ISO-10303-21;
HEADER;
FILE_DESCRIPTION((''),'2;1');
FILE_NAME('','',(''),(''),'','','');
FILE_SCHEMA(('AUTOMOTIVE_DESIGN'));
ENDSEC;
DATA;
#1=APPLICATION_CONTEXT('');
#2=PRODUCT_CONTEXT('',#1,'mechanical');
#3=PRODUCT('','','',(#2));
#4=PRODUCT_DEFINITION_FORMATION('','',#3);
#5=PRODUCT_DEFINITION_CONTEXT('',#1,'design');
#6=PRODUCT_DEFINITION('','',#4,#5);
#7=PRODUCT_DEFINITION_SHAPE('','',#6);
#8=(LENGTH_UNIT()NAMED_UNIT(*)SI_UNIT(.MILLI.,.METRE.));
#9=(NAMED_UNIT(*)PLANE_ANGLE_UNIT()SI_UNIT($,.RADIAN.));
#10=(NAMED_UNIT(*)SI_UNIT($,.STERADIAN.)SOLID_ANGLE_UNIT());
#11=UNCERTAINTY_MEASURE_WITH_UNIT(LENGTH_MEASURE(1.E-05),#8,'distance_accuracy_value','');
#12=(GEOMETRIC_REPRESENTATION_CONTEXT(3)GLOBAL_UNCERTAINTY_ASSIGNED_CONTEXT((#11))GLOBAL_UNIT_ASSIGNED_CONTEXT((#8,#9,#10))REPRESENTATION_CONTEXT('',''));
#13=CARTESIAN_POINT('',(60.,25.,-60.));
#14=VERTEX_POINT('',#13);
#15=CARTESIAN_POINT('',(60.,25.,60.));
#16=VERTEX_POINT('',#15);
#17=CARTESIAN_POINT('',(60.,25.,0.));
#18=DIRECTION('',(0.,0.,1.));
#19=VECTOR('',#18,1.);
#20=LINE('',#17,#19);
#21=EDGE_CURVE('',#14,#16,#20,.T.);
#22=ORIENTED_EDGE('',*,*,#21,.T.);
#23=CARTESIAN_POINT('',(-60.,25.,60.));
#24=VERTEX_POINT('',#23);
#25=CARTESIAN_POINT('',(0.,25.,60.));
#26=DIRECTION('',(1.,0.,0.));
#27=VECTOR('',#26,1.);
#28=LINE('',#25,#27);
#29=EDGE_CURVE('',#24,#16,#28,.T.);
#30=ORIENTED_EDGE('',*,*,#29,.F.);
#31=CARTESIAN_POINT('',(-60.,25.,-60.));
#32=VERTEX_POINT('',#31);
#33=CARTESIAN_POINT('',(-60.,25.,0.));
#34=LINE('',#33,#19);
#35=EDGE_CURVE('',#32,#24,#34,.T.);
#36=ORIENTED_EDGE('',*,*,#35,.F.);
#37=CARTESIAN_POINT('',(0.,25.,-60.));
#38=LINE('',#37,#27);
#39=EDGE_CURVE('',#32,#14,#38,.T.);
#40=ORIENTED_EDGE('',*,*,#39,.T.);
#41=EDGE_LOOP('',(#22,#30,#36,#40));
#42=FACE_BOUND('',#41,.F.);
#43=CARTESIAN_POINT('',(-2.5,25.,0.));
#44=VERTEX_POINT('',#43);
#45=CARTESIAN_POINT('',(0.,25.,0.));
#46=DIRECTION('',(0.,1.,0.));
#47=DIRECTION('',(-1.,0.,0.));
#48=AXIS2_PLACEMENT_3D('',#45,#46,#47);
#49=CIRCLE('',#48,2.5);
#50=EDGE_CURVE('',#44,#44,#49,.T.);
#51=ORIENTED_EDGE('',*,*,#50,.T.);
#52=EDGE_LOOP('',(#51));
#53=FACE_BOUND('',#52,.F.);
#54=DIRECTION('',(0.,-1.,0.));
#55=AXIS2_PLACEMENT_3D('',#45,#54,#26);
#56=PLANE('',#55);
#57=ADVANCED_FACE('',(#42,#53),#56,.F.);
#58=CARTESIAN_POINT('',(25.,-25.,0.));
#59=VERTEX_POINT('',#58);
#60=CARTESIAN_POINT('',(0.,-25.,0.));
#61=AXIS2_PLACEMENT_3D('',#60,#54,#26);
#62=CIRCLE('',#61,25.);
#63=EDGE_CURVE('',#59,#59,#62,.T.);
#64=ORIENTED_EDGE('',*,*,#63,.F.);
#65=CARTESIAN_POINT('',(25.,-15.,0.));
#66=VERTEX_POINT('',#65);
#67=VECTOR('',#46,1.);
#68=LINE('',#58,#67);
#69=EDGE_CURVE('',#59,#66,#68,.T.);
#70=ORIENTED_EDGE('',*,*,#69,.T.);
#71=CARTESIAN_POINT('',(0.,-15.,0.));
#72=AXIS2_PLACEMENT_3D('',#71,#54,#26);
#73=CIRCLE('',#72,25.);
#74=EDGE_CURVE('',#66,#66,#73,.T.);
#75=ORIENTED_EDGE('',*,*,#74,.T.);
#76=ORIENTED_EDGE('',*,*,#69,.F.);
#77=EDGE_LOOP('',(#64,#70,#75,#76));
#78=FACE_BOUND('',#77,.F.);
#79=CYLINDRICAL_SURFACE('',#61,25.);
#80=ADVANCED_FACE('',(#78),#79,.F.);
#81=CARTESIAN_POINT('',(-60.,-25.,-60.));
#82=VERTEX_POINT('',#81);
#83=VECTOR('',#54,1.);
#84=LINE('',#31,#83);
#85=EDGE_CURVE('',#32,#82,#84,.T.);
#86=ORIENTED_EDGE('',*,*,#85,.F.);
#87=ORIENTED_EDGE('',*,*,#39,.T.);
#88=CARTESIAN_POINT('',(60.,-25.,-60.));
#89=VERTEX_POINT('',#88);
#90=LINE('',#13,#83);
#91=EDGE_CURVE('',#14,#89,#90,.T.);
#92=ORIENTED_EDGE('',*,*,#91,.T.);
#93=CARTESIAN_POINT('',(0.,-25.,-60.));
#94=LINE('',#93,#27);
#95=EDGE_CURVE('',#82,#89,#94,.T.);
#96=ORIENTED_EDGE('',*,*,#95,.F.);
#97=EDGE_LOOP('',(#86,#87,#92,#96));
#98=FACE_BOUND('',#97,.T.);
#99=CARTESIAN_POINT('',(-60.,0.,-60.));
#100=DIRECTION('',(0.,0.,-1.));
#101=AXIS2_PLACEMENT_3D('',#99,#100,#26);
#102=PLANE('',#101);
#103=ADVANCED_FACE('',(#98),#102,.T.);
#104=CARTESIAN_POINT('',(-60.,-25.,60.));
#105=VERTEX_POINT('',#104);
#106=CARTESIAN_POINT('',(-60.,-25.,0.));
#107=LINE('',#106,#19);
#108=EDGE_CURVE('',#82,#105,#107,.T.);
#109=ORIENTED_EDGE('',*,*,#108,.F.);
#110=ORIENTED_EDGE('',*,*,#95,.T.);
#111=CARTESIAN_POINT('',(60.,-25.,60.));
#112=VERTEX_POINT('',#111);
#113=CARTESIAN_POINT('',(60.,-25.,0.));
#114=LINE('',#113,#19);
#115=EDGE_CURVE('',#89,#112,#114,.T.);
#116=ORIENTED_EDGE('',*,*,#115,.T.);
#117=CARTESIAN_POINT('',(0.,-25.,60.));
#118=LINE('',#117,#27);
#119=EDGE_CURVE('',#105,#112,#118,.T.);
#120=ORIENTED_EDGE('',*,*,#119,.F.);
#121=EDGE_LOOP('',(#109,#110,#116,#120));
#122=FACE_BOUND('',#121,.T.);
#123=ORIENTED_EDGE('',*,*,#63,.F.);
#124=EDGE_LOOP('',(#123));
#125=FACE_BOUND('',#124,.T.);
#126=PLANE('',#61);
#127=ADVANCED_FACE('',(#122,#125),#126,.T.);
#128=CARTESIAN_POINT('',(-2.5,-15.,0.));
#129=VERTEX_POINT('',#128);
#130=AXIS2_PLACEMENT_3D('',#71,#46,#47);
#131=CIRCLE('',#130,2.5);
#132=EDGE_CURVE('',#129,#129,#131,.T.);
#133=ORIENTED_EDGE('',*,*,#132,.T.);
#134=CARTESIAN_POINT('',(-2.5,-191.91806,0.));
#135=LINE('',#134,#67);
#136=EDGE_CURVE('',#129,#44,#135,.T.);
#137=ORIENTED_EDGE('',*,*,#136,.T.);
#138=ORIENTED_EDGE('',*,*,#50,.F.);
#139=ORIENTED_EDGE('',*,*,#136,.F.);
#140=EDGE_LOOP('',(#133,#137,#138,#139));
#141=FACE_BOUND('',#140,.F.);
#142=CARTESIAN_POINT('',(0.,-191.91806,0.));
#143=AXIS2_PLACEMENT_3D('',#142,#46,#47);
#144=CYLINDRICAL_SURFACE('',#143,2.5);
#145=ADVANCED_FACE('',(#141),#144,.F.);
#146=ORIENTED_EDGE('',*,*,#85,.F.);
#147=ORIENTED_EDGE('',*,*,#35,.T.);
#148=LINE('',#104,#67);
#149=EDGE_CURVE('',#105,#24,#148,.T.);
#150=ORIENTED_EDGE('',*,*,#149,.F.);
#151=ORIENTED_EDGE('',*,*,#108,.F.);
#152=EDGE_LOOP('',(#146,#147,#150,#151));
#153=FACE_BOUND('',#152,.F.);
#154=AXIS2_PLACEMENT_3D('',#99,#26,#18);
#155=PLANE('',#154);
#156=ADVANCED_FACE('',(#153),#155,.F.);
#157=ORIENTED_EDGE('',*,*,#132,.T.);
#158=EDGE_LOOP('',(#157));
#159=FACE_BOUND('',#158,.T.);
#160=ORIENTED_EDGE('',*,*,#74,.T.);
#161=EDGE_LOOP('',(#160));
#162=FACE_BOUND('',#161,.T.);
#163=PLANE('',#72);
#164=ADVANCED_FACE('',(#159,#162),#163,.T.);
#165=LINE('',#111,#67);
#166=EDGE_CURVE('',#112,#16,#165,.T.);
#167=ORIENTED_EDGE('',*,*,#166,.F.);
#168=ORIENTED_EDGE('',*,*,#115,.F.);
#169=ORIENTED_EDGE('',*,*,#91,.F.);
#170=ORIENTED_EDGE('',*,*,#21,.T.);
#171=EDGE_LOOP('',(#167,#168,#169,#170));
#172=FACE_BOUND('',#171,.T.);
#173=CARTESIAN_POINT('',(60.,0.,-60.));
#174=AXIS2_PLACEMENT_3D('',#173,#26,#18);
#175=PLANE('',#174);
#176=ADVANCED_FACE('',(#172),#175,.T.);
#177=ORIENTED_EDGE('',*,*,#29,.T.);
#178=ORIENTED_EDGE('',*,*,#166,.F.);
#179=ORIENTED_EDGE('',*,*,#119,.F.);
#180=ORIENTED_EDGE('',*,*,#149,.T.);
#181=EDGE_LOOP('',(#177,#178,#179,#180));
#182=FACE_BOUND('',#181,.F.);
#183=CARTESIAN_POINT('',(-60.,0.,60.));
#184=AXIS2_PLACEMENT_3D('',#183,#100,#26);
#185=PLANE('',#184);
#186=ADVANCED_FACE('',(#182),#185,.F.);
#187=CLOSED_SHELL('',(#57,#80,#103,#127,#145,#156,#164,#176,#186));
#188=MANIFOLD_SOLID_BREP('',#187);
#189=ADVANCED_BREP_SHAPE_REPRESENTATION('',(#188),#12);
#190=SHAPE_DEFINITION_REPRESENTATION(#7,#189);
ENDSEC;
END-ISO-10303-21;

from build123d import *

# Parameters (mm, degrees)
F0_W     = 120
F0_H     = 120
F1_DEPTH = 25
F2_R     = 25
F3_DEPTH = 10
F5_D     = 5


with BuildPart() as f1:
    # F0 (on Front) → F1 (new body, symmetric)
    with BuildSketch(Plane.XZ):
        Rectangle(F0_W, F0_H)
    extrude(amount=F1_DEPTH, both=True)

    # F2 (on face) → F3 (cut)
    with BuildSketch(Plane.XZ.offset(25)):
        Circle(F2_R)
    extrude(amount=-F3_DEPTH, mode=Mode.SUBTRACT)

    # F5 (through all)
    with Locations(Plane.XZ.offset(15)):
        with Locations((0, 0)):
            Hole(F5_D / 2)


solid = f1.part
